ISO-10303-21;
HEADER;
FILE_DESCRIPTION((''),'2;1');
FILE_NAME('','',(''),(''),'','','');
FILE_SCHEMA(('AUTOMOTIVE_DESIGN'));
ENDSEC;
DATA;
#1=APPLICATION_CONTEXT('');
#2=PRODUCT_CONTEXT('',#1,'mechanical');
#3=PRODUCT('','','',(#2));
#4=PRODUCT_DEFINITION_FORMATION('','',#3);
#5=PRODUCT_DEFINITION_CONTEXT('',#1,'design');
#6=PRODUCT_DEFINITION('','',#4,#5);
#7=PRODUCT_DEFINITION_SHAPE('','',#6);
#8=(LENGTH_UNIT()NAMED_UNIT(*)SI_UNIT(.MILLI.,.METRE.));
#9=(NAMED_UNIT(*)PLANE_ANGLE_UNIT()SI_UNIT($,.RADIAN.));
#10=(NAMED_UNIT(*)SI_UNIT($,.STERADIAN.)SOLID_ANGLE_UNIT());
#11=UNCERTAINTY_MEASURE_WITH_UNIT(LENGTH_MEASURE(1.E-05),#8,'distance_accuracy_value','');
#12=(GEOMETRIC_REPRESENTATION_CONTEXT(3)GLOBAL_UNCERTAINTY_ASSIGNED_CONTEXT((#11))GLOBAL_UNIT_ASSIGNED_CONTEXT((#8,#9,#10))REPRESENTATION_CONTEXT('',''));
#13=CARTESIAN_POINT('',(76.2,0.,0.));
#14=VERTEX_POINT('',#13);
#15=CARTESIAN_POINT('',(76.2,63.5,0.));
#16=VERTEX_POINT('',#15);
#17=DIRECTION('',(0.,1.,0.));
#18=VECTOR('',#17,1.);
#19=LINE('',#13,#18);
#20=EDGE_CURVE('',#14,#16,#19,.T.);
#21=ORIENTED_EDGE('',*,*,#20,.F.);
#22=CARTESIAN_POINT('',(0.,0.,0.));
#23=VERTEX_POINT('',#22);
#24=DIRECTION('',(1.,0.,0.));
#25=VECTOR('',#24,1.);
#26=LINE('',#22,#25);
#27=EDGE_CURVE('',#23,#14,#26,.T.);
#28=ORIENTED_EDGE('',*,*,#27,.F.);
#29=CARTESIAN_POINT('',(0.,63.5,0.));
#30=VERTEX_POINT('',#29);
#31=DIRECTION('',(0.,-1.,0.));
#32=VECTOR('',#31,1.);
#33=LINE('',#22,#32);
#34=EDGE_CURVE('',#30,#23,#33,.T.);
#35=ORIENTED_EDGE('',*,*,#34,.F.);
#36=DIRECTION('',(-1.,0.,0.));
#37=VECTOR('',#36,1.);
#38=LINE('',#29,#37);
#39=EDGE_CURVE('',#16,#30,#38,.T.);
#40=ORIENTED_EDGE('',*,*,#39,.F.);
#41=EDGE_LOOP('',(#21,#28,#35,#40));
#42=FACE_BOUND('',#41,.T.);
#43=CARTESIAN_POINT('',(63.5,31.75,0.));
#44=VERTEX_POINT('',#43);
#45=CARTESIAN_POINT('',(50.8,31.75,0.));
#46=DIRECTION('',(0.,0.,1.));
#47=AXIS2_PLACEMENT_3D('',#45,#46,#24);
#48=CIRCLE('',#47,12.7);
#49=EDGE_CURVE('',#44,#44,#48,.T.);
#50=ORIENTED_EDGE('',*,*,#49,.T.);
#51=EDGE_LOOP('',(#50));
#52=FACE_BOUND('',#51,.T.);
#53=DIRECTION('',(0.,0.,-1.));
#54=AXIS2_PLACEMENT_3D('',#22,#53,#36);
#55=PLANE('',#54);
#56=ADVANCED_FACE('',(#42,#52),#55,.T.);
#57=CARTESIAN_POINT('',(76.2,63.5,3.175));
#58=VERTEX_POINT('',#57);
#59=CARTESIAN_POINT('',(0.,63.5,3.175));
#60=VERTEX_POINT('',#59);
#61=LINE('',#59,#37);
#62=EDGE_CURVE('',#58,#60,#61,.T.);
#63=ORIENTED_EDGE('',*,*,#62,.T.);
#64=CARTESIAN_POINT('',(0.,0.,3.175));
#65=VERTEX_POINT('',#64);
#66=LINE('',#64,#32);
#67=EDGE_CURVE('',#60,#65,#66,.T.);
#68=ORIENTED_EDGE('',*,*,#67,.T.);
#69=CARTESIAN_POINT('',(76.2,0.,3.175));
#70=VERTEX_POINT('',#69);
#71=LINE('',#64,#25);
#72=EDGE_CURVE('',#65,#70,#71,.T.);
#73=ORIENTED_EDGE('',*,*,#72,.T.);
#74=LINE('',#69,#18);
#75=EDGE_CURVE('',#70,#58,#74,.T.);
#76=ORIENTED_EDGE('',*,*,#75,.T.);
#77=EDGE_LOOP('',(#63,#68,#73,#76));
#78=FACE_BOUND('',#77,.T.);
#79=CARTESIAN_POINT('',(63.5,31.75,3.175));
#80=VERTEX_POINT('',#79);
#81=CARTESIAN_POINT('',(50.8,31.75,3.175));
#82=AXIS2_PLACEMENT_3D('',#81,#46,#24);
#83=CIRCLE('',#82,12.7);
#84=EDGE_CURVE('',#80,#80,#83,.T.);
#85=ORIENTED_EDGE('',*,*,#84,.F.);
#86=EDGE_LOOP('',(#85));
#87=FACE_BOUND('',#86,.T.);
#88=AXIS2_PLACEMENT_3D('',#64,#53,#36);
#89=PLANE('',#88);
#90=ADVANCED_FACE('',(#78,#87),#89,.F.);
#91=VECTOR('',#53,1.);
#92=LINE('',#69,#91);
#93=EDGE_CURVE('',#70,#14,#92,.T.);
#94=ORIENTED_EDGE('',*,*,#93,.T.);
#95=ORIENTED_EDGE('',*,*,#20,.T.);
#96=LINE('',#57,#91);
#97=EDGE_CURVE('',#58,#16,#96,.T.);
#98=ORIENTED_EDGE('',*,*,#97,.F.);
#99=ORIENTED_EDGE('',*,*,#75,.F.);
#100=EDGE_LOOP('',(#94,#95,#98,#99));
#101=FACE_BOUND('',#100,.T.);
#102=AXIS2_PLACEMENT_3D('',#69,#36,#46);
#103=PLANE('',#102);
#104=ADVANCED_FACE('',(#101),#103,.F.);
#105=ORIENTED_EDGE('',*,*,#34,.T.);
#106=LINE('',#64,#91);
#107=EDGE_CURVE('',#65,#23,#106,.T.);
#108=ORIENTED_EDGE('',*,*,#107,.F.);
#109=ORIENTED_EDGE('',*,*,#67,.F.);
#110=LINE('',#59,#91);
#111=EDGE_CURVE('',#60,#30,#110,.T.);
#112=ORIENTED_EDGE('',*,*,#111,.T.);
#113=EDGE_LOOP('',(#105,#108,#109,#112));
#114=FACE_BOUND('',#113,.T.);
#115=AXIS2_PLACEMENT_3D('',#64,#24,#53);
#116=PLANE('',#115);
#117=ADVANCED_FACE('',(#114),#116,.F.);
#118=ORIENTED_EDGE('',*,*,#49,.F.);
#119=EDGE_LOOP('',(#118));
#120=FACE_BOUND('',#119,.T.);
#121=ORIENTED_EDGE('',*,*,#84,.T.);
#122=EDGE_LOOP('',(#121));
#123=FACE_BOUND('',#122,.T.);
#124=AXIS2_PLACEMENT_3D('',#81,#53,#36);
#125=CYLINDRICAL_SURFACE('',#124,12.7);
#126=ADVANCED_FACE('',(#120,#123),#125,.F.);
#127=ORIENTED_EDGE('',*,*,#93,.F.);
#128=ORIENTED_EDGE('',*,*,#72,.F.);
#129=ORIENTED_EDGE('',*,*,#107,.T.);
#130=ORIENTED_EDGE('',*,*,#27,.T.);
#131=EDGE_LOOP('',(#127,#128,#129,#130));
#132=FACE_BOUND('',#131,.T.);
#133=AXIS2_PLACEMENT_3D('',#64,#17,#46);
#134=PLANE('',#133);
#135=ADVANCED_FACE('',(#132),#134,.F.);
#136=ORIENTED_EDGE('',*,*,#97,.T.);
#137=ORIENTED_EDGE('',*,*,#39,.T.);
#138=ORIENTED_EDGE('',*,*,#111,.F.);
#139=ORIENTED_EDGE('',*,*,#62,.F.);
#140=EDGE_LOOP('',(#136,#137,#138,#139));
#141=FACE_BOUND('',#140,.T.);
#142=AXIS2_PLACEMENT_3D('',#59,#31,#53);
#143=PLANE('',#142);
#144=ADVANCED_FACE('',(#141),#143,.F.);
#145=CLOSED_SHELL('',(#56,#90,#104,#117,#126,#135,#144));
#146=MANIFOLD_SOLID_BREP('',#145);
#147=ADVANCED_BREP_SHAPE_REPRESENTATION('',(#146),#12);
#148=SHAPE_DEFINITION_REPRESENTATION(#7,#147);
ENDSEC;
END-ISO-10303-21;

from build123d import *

# Parameters (mm, degrees)
SKETCH1_W           = 76.2
SKETCH1_H           = 63.5
SKETCH1_R           = 12.7
BOSS_EXTRUDE1_DEPTH = 3.175


with BuildPart() as part:
    # Sketch1 → Boss-Extrude1 (new body)
    with BuildSketch(Plane.XY):
        with Locations((38.1, 31.75)):
            Rectangle(SKETCH1_W, SKETCH1_H)
        with Locations((50.8, 31.75)):
            Circle(SKETCH1_R, mode=Mode.SUBTRACT)
    extrude(amount=BOSS_EXTRUDE1_DEPTH)


solid = part.part
